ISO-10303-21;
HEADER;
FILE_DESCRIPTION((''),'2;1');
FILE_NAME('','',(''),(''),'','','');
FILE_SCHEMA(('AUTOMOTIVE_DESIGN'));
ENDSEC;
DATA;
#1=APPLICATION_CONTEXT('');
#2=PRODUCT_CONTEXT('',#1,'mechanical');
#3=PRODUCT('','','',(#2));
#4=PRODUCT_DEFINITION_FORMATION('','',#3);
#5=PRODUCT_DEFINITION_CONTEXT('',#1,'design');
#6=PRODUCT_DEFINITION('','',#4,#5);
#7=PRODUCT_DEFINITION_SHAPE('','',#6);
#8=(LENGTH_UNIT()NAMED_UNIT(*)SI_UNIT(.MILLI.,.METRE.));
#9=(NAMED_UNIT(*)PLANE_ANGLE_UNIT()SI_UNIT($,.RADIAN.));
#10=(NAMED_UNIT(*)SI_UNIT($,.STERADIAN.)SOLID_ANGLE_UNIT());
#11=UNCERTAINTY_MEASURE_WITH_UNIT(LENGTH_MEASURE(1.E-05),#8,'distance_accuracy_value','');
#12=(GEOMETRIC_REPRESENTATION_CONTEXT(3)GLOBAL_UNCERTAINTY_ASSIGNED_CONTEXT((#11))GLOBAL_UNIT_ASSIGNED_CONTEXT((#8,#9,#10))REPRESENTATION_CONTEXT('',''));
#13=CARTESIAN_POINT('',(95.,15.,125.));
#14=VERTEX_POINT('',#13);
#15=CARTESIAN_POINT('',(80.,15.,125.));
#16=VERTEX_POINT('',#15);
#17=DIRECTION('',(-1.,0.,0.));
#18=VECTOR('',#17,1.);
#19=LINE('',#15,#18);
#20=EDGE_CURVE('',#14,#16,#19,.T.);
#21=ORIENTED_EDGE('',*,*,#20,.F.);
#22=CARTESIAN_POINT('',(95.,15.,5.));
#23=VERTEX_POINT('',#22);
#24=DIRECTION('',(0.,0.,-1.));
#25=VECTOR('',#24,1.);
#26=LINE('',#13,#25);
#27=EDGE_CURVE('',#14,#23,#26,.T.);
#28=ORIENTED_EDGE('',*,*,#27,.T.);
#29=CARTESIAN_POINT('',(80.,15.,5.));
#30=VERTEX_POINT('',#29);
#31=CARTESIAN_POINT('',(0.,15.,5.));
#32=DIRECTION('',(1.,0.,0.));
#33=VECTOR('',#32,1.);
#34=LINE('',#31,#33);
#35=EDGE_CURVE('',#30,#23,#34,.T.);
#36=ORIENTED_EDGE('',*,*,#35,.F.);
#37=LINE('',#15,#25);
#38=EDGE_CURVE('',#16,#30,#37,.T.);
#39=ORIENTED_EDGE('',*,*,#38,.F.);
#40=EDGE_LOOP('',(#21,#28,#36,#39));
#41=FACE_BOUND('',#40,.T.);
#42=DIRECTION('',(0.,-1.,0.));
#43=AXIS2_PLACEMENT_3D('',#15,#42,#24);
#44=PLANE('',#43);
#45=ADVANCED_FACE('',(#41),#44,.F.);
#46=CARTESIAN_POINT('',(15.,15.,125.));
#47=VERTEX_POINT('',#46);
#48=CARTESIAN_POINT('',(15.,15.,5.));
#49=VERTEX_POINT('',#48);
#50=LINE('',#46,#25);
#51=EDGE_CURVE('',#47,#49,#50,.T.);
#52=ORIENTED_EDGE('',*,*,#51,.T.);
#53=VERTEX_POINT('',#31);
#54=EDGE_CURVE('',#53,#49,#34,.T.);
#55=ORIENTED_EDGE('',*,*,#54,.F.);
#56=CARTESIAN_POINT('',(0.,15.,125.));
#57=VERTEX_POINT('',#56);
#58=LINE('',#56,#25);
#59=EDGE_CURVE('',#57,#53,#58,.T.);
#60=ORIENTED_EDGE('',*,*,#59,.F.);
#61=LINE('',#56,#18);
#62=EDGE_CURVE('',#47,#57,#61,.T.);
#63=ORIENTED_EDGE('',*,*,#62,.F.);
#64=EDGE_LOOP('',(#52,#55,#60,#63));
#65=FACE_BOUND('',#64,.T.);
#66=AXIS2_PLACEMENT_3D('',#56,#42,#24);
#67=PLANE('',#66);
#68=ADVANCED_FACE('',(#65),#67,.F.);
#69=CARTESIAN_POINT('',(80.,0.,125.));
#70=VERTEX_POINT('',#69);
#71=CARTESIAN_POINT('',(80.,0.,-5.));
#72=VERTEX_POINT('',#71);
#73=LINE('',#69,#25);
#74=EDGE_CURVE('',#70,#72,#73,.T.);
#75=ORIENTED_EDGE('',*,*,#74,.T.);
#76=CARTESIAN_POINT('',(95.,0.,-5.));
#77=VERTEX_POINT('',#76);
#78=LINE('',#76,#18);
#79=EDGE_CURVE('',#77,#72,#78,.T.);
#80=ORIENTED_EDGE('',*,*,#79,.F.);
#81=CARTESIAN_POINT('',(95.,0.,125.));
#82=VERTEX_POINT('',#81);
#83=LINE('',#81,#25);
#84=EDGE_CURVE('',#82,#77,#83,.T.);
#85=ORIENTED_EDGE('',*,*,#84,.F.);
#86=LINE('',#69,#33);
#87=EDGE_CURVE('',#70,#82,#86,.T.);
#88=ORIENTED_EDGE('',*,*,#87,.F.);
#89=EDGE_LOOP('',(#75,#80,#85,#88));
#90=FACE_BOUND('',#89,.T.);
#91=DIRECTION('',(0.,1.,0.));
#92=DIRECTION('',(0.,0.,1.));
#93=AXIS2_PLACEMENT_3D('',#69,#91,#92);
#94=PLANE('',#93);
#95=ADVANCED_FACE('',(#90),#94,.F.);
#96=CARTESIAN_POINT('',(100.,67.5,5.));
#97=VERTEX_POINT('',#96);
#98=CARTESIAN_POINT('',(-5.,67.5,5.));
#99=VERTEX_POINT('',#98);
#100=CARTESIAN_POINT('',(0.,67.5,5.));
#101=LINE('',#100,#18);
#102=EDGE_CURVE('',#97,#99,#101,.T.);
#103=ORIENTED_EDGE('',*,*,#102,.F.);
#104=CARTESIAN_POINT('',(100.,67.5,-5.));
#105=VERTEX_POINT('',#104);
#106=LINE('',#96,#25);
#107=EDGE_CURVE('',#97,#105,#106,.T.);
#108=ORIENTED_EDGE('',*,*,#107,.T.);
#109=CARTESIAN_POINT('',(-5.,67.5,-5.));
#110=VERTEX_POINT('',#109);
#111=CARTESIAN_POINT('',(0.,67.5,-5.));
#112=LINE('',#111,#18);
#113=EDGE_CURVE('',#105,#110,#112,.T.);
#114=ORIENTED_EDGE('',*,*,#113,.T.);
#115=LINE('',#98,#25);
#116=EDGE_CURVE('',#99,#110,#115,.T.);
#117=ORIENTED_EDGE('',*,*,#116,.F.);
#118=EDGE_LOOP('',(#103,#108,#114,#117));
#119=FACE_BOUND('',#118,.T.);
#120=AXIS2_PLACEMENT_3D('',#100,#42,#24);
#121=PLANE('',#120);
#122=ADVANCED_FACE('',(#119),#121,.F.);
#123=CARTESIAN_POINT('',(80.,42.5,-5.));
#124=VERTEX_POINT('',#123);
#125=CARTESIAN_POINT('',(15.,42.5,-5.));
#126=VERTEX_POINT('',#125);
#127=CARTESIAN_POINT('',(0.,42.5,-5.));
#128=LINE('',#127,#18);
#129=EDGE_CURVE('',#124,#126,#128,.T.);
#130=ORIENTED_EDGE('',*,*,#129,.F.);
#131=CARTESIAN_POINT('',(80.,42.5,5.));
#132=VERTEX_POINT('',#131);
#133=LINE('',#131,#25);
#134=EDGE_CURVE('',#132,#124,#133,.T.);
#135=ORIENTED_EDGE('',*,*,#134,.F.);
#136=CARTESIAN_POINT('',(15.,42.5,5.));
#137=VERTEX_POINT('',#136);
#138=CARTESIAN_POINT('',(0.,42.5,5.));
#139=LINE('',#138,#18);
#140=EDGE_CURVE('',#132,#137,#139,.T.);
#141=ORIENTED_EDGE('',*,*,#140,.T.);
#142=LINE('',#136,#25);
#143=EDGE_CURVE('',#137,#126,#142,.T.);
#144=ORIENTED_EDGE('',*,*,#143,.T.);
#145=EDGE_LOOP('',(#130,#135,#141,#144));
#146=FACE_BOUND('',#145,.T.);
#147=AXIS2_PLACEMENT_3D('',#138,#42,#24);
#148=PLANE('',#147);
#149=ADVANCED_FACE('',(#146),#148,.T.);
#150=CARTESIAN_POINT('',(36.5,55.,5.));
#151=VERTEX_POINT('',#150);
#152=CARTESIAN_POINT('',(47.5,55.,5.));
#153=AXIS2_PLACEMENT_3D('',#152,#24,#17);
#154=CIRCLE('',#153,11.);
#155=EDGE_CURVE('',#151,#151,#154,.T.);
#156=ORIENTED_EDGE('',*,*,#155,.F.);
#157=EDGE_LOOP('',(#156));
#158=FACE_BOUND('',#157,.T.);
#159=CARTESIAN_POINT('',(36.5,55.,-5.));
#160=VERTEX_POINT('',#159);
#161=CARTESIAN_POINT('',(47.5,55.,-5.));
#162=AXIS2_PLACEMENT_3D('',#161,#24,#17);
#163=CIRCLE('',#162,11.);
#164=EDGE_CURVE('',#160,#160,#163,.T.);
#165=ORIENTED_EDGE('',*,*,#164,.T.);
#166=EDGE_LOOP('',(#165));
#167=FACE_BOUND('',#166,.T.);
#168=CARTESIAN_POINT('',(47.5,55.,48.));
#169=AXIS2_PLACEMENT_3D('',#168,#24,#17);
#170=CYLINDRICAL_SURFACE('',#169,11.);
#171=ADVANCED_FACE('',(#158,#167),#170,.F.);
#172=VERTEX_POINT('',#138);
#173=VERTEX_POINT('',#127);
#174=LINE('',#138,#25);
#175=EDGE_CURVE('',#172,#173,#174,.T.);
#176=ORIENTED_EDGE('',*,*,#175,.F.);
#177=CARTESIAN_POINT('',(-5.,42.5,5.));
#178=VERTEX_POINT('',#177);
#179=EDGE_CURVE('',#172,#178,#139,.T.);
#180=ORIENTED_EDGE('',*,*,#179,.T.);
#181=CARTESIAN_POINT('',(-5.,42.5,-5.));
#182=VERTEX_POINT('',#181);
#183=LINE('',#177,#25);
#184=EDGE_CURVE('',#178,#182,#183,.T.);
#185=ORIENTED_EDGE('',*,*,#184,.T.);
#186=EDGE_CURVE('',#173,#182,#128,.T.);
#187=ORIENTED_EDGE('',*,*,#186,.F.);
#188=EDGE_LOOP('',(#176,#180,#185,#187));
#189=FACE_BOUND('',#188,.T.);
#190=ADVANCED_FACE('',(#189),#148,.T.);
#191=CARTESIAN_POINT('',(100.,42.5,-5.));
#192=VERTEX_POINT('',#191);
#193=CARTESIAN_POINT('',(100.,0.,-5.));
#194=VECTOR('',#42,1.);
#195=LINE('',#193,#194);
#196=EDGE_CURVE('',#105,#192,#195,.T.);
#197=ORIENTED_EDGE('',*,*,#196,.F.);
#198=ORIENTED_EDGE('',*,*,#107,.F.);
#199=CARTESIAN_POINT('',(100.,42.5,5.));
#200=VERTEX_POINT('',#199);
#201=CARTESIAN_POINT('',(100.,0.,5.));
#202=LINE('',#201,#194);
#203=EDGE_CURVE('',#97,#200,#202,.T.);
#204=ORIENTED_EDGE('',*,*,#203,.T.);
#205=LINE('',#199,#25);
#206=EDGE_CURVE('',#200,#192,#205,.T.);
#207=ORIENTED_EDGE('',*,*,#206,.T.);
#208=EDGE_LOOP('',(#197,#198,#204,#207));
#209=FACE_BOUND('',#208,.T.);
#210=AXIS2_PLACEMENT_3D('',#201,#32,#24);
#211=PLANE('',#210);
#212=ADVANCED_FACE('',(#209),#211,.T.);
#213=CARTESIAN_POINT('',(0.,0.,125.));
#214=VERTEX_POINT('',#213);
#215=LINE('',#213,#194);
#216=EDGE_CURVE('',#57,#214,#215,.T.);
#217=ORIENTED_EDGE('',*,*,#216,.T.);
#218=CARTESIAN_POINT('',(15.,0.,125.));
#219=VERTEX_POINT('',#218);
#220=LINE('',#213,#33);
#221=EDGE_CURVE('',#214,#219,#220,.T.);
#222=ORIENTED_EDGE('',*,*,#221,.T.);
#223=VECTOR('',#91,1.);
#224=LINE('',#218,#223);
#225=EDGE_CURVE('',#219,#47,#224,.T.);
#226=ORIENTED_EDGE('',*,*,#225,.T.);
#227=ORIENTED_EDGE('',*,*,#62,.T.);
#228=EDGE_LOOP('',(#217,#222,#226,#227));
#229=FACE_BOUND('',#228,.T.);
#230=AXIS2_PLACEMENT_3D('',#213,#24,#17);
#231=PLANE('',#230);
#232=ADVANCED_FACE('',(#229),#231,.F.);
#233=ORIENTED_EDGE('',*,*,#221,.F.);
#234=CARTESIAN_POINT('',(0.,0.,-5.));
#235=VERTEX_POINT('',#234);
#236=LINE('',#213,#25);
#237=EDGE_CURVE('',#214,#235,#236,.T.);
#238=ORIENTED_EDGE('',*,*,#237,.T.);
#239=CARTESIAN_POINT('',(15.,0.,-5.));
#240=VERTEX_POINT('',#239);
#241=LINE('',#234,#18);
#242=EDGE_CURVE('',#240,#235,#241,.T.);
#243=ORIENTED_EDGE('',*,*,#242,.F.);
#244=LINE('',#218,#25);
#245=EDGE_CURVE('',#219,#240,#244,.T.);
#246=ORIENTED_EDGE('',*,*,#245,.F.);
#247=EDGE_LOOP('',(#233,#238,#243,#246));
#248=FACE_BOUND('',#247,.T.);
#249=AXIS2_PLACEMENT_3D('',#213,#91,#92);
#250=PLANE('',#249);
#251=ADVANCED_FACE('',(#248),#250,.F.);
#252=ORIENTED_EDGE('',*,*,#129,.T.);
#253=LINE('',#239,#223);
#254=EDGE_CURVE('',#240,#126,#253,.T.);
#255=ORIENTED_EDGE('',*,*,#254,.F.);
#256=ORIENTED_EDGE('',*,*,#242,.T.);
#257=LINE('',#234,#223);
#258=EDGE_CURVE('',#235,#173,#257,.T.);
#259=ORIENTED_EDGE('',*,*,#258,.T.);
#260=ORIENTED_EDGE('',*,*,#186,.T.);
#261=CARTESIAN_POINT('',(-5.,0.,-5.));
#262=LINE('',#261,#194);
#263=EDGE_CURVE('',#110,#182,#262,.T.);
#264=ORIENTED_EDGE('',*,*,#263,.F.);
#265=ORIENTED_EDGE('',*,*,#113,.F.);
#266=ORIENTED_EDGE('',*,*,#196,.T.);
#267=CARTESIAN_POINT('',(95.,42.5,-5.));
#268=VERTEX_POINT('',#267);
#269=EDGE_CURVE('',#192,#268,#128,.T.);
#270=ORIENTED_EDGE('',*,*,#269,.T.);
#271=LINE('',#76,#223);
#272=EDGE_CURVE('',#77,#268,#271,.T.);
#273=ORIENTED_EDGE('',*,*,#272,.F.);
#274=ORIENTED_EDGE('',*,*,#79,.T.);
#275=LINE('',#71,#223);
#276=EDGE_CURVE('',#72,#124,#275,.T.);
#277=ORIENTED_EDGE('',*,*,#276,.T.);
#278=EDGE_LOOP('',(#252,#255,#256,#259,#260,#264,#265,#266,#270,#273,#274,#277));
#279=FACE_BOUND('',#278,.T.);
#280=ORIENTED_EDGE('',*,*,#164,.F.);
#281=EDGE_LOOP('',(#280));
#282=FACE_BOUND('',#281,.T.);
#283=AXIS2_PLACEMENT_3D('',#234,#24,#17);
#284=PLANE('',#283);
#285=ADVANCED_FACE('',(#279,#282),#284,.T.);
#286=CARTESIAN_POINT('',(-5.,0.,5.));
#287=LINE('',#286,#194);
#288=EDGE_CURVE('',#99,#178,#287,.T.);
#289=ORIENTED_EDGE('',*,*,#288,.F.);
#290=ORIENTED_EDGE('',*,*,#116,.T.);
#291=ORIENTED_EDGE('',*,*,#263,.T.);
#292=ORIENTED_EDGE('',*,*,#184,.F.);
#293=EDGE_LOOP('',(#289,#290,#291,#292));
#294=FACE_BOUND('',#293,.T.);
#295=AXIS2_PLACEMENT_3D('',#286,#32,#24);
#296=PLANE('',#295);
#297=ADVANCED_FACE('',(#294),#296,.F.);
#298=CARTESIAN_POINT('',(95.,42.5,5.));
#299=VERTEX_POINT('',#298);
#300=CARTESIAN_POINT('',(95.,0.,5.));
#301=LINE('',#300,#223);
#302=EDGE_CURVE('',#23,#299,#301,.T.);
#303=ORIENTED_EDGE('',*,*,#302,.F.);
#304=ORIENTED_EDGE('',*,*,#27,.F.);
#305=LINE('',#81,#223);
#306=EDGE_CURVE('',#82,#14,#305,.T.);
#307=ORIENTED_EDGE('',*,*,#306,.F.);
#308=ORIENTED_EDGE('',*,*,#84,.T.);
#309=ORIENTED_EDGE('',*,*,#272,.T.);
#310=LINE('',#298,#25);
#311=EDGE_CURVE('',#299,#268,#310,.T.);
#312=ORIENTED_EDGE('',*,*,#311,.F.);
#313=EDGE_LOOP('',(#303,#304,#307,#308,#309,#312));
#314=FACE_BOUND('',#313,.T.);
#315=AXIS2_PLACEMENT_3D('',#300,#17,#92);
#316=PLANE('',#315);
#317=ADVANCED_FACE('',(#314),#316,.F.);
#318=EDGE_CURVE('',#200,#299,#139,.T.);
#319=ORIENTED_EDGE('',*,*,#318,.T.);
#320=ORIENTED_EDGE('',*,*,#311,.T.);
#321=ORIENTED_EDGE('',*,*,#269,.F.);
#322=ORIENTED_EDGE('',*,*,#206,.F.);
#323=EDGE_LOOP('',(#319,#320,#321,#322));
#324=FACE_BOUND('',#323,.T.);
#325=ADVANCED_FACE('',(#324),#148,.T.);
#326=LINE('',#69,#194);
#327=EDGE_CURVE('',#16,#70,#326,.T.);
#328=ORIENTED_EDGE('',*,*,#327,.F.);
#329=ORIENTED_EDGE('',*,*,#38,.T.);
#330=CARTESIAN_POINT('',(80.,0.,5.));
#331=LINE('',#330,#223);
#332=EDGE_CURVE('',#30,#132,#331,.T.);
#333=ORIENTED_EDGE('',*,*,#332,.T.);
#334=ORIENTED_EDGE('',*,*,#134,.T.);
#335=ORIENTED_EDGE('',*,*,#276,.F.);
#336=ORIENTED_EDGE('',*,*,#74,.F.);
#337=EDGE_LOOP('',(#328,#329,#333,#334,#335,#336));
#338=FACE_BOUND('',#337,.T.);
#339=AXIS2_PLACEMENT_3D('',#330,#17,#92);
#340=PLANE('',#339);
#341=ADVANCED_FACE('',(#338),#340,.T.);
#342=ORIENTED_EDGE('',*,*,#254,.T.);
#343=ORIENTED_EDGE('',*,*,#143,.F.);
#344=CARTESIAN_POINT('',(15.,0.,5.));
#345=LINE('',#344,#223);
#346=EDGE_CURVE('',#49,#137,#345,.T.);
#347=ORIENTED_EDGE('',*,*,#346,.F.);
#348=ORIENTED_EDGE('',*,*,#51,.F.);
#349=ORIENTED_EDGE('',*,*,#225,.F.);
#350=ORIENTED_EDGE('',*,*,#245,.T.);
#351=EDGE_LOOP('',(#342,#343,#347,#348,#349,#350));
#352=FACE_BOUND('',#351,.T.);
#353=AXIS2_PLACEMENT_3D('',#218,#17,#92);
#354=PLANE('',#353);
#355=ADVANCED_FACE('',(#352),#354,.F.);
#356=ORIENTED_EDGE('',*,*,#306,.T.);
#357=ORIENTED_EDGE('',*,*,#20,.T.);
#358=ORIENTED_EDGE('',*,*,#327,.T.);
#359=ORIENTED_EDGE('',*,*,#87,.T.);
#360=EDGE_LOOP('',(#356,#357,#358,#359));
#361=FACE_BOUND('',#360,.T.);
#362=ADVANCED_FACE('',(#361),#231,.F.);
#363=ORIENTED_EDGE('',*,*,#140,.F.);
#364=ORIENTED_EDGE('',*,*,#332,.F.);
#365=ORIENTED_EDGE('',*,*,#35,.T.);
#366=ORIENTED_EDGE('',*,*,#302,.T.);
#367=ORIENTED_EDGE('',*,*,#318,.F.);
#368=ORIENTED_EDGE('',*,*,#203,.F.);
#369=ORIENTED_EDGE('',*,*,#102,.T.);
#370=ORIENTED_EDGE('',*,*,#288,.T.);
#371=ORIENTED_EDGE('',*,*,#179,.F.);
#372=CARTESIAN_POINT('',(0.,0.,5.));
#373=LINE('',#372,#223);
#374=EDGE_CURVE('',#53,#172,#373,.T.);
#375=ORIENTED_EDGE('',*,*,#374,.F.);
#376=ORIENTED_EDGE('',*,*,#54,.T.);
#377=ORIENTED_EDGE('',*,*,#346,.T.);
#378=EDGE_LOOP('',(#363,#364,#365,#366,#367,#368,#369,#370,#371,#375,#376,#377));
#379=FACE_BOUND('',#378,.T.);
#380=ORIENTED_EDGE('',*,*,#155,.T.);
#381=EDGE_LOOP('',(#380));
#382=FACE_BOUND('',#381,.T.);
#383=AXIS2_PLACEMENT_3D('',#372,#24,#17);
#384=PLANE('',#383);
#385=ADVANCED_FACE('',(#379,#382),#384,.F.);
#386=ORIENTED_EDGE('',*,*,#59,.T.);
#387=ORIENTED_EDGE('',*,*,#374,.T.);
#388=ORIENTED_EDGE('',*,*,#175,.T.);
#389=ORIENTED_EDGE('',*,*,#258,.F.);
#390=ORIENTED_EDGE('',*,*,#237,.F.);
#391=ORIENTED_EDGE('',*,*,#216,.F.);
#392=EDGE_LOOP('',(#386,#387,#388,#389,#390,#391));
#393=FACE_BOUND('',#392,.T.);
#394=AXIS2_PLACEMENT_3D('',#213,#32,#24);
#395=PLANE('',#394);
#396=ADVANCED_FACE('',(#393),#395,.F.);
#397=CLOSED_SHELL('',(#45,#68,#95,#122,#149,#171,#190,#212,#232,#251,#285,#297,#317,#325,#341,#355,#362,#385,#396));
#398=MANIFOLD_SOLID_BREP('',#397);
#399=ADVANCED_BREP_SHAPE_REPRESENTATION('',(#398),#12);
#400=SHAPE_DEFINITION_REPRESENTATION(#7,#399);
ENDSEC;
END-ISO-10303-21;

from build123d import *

# Parameters (mm, degrees)
IZIM1_W                       = 15
IZIM1_H                       = 15
Y_KSEKLIK_EKSTR_ZYON1_DEPTH   = 125
Y_KSEKLIK_EKSTR_ZYON1_2_DEPTH = 125
Y_KSEKLIK_EKSTR_ZYON4_DEPTH   = 5
Y_KSEKLIK_EKSTR_ZYON5_REACH   = 179.359
IZIM6_W                       = 15
IZIM6_H                       = 15
IZIM7_R                       = 11
KES_EKSTR_ZYON2_DEPTH         = 53


with BuildPart() as part:
    # Çizim1 → Yükseklik-Ekstrüzyon1 (new body)
    with BuildSketch(Plane.XY):
        with Locations((7.5, 7.5)):
            Rectangle(IZIM1_W, IZIM1_H)
    extrude(amount=Y_KSEKLIK_EKSTR_ZYON1_DEPTH)



with BuildPart() as body_2:
    # Çizim1 → Y_kseklik-Ekstr_zyon1 2 (new body)
    with BuildSketch(Plane.XY):
        with Locations((87.5, 7.5)):
            Rectangle(IZIM1_W, IZIM1_H)
    extrude(amount=Y_KSEKLIK_EKSTR_ZYON1_2_DEPTH)


with BuildPart() as part_1:
    add(part.part)

    add(body_2.part)  # Yükseklik-Ekstrüzyon4 merges body 2
    # Çizim3 → Yükseklik-Ekstrüzyon4 (add, symmetric)
    with BuildSketch(Plane(origin=(0, 0, 0), x_dir=(-1, 0, 0), z_dir=(0, 0, -1))):
        Polygon((-95, 67.5), (-100, 67.5), (-100, 42.5), (-95, 42.5), (-95, 15), (-80, 15), (-80, 42.5), (-15, 42.5), (-15, 0), (0, 0), (0, 42.5), (5, 42.5), (5, 67.5), (0, 67.5), (-15, 67.5), (-80, 67.5), align=None)
    extrude(amount=Y_KSEKLIK_EKSTR_ZYON4_DEPTH, both=True)

    # Çizim6 → Yükseklik-Ekstrüzyon5 (add, up to next)
    with BuildSketch(Plane(origin=(0, 0, -5), x_dir=(-1, 0, 0), z_dir=(0, 0, -1)), mode=Mode.PRIVATE) as y_kseklik_ekstr_zyon5_sk1:
        with Locations((-87.5, 7.5)):
            Rectangle(IZIM6_W, IZIM6_H)
    y_kseklik_ekstr_zyon5_tool1 = extrude(y_kseklik_ekstr_zyon5_sk1.sketch, amount=-Y_KSEKLIK_EKSTR_ZYON5_REACH, mode=Mode.PRIVATE) - part_1.part
    add(y_kseklik_ekstr_zyon5_tool1.solids().sort_by_distance((87.5, 7.5, -5))[0])

    # Çizim7 → Kes-Ekstrüzyon2 (cut)
    with BuildSketch(Plane(origin=(0, 0, -5), x_dir=(-1, 0, 0), z_dir=(0, 0, -1))):
        with Locations((-47.5, 55)):
            Circle(IZIM7_R)
    extrude(amount=-KES_EKSTR_ZYON2_DEPTH, mode=Mode.SUBTRACT)


solid = part_1.part
